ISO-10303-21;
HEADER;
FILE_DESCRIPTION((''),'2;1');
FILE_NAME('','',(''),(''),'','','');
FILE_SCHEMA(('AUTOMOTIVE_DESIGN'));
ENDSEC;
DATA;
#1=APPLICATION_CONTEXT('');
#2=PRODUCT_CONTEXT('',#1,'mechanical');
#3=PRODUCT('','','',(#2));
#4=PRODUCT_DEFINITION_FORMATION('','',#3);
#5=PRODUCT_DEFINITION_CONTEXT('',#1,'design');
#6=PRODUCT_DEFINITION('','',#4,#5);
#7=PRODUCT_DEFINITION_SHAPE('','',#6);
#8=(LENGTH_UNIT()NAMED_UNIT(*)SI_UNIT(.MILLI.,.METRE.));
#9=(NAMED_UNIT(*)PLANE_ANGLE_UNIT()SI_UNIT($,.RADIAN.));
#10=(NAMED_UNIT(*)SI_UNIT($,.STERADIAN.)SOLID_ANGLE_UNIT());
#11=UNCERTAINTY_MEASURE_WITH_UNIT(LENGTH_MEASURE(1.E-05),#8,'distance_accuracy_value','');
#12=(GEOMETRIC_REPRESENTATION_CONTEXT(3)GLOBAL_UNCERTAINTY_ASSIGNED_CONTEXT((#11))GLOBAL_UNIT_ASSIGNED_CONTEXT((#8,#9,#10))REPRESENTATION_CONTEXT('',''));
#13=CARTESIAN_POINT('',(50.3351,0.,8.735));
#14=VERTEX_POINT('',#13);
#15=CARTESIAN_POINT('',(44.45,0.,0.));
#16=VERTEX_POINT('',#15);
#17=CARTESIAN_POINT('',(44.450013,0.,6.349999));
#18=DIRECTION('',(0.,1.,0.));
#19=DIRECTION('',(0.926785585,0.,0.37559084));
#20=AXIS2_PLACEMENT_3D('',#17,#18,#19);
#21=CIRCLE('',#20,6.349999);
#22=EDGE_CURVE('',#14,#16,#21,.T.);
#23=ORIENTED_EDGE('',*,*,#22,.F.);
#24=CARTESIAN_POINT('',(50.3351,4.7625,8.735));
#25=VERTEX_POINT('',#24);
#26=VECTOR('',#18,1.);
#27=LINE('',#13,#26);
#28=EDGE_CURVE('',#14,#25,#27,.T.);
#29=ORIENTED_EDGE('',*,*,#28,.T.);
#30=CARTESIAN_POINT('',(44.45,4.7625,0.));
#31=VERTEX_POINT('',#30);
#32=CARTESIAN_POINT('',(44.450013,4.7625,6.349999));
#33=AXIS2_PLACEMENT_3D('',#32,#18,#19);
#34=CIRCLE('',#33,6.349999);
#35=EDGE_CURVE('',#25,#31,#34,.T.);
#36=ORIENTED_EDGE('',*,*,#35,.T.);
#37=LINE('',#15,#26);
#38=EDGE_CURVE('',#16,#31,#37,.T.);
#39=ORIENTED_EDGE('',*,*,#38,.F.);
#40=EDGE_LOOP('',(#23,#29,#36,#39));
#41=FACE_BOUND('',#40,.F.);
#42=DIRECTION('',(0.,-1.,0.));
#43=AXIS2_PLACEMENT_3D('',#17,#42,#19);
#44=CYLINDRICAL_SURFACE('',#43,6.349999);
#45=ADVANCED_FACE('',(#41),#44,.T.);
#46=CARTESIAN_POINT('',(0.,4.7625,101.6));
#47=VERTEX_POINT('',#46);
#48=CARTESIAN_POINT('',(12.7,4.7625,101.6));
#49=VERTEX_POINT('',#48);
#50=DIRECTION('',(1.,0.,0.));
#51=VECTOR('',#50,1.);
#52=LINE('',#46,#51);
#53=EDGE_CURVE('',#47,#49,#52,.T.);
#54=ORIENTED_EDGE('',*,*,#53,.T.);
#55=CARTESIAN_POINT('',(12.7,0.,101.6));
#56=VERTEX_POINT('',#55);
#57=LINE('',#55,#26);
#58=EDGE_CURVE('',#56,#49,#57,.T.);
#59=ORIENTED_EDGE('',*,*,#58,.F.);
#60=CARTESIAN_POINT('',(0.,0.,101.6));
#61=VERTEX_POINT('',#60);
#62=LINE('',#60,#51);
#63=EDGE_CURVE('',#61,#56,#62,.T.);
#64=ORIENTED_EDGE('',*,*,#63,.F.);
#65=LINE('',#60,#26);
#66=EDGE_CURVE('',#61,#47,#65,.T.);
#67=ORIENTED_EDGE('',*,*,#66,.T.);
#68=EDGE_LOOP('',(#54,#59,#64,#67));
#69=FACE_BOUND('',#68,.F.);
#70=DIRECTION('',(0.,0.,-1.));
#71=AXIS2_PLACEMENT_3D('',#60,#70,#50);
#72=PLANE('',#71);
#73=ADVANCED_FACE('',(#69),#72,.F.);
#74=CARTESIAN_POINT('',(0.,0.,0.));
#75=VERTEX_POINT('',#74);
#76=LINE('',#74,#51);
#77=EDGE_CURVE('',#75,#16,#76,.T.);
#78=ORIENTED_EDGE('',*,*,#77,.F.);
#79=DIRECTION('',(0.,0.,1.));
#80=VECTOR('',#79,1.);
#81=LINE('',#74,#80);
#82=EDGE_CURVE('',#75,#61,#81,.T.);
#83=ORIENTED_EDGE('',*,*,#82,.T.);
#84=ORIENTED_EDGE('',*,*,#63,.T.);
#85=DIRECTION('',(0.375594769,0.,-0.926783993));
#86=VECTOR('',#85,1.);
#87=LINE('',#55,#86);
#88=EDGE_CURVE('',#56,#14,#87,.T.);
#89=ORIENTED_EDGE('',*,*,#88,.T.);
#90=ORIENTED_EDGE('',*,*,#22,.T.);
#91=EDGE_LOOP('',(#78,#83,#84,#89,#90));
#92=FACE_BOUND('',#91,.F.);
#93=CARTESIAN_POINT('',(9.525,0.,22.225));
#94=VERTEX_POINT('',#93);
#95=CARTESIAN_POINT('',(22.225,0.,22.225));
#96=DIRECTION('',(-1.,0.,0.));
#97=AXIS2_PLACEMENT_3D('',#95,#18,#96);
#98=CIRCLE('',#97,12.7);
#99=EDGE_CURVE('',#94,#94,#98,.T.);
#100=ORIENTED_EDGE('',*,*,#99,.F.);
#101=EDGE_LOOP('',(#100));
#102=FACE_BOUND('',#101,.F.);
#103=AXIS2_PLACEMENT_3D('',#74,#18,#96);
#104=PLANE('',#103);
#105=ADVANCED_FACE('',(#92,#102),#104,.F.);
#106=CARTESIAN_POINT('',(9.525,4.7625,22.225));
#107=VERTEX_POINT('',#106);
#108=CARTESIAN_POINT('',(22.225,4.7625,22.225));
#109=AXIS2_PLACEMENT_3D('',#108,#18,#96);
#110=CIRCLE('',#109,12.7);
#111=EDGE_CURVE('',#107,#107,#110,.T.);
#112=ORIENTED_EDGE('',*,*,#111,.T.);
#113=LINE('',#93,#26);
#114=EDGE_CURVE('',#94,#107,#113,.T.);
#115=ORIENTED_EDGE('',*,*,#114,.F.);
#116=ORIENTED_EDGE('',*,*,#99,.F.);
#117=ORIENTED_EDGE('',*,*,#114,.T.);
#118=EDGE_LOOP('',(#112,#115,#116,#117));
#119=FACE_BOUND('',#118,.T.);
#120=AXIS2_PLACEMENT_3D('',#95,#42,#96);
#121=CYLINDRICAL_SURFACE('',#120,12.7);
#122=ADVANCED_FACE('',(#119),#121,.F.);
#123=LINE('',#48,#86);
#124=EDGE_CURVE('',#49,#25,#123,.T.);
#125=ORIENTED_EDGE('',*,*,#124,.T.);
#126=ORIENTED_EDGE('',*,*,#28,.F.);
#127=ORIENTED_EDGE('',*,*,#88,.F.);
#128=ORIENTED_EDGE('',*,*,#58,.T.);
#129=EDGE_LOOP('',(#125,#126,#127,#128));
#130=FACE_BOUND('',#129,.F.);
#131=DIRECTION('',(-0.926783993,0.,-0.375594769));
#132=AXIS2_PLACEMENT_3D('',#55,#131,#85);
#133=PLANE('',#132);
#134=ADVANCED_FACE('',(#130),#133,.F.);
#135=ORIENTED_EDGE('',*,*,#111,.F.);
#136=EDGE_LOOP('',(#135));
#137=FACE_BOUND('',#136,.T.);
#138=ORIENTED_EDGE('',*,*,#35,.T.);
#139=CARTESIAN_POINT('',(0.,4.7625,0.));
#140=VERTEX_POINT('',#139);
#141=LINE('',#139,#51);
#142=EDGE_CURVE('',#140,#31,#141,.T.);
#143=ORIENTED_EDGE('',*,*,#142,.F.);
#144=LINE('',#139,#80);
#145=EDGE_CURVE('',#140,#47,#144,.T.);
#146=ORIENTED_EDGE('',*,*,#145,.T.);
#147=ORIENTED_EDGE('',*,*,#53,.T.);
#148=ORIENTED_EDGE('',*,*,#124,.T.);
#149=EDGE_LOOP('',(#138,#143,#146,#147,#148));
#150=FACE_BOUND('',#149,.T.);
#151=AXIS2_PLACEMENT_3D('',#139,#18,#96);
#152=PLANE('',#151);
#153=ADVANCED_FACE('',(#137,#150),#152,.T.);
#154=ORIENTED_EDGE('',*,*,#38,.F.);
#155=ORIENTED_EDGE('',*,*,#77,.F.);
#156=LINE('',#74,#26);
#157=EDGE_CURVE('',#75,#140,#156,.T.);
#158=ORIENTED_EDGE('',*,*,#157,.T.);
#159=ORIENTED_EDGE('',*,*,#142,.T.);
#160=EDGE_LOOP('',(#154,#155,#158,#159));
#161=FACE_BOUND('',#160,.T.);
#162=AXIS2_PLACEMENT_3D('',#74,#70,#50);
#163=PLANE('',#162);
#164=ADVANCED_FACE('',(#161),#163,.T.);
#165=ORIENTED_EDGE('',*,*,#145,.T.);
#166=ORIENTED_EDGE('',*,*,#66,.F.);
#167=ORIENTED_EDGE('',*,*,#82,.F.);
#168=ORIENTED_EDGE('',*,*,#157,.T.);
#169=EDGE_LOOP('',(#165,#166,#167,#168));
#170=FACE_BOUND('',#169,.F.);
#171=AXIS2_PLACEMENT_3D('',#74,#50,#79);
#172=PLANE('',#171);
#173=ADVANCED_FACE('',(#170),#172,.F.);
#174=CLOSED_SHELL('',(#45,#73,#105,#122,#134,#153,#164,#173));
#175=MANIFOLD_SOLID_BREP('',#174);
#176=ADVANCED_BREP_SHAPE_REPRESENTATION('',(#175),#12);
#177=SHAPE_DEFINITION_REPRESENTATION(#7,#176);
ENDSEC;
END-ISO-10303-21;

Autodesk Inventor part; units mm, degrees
ref_plane "YZ Plane" through (0, 0, 0) normal (1, 0, 0) x (0, 1, 0)
ref_plane "XZ Plane" through (0, 0, 0) normal (0, 1, 0) x (-1, 0, 0)
ref_plane "XY Plane" through (0, 0, 0) normal (0, 0, 1) x (1, 0, 0)
sketch "Sketch1" plane through (0, 0, 0) normal (0, 1, 0) x (-1, 0, 0)
  line L0 (0, 0) -> (0, 101.6)
  line L1 (0, 101.6) -> (-12.7, 101.6)
  line L2 (0, 0) -> (-44.45, 0)
  line L3 (-12.7, 101.6) -> (-50.3351, 8.735)
  arc A0 (-50.3351, 8.735) -> (-44.45, 0) centre (-44.45, 6.35) ccw
  line L4 (-50.8, 8.1746) -> (-50.8, -12.3493) construction
  circle A1 centre (-22.225, 22.225) radius 12.7
  point P0 (-53.8751, 0)
  dimension "d0" = 101.6
  dimension "d1" = 12.7
  dimension "d4" = 6.35
  dimension "d5" = 50.8
  dimension "d6" = 25.4
  dimension "d7" = 22.225
  dimension "d8" = 22.225
extrude "Extrusion1" add sketch "Sketch1" along normal blind 4.7625
ref_plane "WP Lug" through (0, 2.3813, 0) normal (0, 1, 0) x (1, 0, 0)
properties part number "Liftinglug"
